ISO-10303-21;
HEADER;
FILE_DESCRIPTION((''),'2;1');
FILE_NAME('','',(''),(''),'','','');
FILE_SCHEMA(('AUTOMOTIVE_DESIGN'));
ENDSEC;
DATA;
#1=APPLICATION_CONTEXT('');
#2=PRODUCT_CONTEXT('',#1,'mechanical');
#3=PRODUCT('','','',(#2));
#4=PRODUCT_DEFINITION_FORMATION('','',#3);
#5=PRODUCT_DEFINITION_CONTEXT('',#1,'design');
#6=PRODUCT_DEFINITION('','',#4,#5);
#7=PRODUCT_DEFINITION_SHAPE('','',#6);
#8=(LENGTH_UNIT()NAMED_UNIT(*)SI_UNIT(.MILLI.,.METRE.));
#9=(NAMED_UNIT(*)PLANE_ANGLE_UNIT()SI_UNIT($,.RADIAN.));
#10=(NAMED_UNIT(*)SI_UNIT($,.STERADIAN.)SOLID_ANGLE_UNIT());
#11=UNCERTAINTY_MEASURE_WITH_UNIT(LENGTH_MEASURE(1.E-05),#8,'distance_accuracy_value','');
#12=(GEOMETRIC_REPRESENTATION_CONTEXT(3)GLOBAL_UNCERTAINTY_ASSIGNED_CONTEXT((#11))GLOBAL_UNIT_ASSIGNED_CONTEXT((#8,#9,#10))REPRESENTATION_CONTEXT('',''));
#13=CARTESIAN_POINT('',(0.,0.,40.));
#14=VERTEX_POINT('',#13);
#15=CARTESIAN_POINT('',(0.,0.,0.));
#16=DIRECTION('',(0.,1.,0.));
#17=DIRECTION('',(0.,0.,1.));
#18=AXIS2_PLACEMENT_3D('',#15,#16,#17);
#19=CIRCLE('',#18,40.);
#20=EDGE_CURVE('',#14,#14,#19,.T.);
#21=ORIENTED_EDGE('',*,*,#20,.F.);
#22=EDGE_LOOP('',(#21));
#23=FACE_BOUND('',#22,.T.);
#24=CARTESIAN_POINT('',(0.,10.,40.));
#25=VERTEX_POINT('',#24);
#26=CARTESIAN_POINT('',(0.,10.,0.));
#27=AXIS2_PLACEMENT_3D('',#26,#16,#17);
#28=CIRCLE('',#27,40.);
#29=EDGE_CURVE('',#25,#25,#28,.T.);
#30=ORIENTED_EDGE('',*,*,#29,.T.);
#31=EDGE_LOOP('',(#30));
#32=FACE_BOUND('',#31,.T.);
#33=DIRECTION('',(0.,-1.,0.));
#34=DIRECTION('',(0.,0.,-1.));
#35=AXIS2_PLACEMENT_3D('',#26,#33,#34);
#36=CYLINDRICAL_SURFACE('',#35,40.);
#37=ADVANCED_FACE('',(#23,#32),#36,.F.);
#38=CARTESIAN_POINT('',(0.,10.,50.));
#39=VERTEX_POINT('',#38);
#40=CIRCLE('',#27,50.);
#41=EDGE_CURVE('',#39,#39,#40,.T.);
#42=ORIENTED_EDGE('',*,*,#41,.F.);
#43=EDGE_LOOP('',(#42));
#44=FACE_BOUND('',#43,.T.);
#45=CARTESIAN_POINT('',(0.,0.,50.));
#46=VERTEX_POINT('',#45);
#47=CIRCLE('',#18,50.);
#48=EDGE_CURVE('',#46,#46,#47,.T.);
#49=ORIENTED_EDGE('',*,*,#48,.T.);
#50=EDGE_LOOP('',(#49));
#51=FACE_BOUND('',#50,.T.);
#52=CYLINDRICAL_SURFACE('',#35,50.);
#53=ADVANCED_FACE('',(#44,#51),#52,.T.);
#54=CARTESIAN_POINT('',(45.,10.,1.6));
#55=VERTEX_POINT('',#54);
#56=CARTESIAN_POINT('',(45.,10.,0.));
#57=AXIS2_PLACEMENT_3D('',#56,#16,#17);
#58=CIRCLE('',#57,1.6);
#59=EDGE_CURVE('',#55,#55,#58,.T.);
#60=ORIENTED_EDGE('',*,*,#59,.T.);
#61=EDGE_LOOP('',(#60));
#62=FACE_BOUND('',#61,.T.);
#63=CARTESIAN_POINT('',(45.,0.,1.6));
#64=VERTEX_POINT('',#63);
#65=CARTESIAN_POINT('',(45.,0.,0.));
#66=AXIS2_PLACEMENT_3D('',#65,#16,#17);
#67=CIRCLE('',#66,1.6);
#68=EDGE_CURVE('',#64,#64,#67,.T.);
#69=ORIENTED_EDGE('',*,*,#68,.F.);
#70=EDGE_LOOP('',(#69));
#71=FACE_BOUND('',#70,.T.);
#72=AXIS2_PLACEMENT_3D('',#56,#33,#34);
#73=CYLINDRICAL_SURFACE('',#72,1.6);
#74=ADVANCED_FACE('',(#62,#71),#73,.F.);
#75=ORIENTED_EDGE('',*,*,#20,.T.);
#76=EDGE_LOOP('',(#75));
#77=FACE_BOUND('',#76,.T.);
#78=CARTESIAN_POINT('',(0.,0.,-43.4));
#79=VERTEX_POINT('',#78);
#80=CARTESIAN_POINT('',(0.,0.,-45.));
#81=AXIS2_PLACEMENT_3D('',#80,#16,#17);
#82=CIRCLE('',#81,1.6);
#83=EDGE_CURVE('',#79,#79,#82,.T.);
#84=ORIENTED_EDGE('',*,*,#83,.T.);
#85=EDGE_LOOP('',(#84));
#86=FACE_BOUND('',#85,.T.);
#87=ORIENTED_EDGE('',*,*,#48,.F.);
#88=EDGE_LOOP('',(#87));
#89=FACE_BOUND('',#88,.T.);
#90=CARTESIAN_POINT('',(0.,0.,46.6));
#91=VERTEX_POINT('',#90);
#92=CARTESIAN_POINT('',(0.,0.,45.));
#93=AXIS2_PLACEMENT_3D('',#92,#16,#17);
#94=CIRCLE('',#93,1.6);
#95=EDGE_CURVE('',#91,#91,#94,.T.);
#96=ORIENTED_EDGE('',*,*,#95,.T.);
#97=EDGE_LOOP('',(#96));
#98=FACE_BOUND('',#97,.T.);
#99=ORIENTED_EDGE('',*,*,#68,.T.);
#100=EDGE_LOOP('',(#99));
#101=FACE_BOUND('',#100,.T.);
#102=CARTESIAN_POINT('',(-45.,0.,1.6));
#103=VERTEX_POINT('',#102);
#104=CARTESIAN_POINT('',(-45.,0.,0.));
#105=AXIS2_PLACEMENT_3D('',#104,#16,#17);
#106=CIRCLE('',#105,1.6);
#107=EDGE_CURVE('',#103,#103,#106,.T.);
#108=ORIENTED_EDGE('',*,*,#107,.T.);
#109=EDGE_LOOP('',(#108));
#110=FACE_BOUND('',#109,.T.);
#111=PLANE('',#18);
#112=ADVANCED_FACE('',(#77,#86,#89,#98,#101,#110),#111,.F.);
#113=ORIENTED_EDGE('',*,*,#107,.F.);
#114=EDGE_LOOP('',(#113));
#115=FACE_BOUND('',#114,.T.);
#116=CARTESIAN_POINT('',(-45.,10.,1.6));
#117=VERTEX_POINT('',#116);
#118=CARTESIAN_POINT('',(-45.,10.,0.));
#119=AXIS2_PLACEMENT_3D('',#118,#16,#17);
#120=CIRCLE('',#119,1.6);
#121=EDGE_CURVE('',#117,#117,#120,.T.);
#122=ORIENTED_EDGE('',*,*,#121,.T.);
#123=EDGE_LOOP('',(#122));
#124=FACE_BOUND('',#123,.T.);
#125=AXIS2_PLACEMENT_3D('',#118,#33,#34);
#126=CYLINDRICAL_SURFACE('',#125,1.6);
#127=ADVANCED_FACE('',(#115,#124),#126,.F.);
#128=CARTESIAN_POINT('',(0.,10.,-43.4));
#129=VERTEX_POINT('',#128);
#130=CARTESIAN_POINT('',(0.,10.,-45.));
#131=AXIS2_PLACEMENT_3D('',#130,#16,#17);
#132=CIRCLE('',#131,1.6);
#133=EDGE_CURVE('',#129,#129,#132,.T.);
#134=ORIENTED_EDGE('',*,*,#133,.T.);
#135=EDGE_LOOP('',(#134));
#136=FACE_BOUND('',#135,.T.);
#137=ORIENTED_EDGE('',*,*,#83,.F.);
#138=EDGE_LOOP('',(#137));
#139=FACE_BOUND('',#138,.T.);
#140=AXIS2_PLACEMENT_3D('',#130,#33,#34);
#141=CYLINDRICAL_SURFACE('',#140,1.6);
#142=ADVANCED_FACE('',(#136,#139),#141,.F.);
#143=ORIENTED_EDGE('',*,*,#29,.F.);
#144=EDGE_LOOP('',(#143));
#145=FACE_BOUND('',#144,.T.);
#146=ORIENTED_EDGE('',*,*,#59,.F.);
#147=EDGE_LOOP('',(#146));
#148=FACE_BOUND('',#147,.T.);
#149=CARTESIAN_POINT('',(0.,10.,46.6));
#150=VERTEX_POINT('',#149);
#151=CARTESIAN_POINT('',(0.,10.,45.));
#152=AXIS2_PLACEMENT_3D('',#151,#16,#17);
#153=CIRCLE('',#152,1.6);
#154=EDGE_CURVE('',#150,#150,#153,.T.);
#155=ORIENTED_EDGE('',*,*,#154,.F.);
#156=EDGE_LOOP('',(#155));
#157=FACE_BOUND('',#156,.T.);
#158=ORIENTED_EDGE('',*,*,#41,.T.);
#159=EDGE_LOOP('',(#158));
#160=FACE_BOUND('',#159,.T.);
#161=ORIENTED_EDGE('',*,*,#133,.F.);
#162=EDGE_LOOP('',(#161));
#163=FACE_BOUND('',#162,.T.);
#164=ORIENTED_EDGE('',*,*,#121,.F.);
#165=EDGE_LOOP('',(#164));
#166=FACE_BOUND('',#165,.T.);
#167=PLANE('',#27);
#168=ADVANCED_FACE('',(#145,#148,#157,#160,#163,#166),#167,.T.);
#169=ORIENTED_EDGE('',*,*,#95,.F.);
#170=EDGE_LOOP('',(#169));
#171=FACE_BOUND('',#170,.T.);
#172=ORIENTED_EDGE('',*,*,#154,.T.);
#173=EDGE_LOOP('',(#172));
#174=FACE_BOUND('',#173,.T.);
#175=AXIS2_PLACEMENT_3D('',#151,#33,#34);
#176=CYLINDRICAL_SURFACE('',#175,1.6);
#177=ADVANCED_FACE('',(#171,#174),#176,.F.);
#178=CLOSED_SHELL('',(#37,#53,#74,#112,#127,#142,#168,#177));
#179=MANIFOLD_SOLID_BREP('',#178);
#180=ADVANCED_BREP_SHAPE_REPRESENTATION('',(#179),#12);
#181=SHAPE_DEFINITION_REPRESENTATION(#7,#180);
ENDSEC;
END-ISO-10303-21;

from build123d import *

# Parameters (mm, degrees)
SKETCH_1_R      = 50
SKETCH_1_R_2    = 40
SKETCH_1_R_3    = 1.6
EXTRUDE_1_DEPTH = 10


with BuildPart() as part:
    # 草图1 → 凸台-拉伸1 (new body)
    with BuildSketch(Plane(origin=(0, 0, 0), x_dir=(1, 0, 0), z_dir=(0, 1, 0))):
        with Locations(Location((0, 0, 0), (0, 0, 270))):
            Circle(SKETCH_1_R)
        with Locations(Location((0, 0, 0), (0, 0, 270))):
            Circle(SKETCH_1_R_2, mode=Mode.SUBTRACT)
        with Locations(Location((0, 45, 0), (0, 0, 270))):
            Circle(SKETCH_1_R_3, mode=Mode.SUBTRACT)
        with Locations(Location((45, 0, 0), (0, 0, 270))):
            Circle(SKETCH_1_R_3, mode=Mode.SUBTRACT)
        with Locations(Location((0, -45, 0), (0, 0, 270))):
            Circle(SKETCH_1_R_3, mode=Mode.SUBTRACT)
        with Locations(Location((-45, 0, 0), (0, 0, 270))):
            Circle(SKETCH_1_R_3, mode=Mode.SUBTRACT)
    extrude(amount=EXTRUDE_1_DEPTH)


solid = part.part
